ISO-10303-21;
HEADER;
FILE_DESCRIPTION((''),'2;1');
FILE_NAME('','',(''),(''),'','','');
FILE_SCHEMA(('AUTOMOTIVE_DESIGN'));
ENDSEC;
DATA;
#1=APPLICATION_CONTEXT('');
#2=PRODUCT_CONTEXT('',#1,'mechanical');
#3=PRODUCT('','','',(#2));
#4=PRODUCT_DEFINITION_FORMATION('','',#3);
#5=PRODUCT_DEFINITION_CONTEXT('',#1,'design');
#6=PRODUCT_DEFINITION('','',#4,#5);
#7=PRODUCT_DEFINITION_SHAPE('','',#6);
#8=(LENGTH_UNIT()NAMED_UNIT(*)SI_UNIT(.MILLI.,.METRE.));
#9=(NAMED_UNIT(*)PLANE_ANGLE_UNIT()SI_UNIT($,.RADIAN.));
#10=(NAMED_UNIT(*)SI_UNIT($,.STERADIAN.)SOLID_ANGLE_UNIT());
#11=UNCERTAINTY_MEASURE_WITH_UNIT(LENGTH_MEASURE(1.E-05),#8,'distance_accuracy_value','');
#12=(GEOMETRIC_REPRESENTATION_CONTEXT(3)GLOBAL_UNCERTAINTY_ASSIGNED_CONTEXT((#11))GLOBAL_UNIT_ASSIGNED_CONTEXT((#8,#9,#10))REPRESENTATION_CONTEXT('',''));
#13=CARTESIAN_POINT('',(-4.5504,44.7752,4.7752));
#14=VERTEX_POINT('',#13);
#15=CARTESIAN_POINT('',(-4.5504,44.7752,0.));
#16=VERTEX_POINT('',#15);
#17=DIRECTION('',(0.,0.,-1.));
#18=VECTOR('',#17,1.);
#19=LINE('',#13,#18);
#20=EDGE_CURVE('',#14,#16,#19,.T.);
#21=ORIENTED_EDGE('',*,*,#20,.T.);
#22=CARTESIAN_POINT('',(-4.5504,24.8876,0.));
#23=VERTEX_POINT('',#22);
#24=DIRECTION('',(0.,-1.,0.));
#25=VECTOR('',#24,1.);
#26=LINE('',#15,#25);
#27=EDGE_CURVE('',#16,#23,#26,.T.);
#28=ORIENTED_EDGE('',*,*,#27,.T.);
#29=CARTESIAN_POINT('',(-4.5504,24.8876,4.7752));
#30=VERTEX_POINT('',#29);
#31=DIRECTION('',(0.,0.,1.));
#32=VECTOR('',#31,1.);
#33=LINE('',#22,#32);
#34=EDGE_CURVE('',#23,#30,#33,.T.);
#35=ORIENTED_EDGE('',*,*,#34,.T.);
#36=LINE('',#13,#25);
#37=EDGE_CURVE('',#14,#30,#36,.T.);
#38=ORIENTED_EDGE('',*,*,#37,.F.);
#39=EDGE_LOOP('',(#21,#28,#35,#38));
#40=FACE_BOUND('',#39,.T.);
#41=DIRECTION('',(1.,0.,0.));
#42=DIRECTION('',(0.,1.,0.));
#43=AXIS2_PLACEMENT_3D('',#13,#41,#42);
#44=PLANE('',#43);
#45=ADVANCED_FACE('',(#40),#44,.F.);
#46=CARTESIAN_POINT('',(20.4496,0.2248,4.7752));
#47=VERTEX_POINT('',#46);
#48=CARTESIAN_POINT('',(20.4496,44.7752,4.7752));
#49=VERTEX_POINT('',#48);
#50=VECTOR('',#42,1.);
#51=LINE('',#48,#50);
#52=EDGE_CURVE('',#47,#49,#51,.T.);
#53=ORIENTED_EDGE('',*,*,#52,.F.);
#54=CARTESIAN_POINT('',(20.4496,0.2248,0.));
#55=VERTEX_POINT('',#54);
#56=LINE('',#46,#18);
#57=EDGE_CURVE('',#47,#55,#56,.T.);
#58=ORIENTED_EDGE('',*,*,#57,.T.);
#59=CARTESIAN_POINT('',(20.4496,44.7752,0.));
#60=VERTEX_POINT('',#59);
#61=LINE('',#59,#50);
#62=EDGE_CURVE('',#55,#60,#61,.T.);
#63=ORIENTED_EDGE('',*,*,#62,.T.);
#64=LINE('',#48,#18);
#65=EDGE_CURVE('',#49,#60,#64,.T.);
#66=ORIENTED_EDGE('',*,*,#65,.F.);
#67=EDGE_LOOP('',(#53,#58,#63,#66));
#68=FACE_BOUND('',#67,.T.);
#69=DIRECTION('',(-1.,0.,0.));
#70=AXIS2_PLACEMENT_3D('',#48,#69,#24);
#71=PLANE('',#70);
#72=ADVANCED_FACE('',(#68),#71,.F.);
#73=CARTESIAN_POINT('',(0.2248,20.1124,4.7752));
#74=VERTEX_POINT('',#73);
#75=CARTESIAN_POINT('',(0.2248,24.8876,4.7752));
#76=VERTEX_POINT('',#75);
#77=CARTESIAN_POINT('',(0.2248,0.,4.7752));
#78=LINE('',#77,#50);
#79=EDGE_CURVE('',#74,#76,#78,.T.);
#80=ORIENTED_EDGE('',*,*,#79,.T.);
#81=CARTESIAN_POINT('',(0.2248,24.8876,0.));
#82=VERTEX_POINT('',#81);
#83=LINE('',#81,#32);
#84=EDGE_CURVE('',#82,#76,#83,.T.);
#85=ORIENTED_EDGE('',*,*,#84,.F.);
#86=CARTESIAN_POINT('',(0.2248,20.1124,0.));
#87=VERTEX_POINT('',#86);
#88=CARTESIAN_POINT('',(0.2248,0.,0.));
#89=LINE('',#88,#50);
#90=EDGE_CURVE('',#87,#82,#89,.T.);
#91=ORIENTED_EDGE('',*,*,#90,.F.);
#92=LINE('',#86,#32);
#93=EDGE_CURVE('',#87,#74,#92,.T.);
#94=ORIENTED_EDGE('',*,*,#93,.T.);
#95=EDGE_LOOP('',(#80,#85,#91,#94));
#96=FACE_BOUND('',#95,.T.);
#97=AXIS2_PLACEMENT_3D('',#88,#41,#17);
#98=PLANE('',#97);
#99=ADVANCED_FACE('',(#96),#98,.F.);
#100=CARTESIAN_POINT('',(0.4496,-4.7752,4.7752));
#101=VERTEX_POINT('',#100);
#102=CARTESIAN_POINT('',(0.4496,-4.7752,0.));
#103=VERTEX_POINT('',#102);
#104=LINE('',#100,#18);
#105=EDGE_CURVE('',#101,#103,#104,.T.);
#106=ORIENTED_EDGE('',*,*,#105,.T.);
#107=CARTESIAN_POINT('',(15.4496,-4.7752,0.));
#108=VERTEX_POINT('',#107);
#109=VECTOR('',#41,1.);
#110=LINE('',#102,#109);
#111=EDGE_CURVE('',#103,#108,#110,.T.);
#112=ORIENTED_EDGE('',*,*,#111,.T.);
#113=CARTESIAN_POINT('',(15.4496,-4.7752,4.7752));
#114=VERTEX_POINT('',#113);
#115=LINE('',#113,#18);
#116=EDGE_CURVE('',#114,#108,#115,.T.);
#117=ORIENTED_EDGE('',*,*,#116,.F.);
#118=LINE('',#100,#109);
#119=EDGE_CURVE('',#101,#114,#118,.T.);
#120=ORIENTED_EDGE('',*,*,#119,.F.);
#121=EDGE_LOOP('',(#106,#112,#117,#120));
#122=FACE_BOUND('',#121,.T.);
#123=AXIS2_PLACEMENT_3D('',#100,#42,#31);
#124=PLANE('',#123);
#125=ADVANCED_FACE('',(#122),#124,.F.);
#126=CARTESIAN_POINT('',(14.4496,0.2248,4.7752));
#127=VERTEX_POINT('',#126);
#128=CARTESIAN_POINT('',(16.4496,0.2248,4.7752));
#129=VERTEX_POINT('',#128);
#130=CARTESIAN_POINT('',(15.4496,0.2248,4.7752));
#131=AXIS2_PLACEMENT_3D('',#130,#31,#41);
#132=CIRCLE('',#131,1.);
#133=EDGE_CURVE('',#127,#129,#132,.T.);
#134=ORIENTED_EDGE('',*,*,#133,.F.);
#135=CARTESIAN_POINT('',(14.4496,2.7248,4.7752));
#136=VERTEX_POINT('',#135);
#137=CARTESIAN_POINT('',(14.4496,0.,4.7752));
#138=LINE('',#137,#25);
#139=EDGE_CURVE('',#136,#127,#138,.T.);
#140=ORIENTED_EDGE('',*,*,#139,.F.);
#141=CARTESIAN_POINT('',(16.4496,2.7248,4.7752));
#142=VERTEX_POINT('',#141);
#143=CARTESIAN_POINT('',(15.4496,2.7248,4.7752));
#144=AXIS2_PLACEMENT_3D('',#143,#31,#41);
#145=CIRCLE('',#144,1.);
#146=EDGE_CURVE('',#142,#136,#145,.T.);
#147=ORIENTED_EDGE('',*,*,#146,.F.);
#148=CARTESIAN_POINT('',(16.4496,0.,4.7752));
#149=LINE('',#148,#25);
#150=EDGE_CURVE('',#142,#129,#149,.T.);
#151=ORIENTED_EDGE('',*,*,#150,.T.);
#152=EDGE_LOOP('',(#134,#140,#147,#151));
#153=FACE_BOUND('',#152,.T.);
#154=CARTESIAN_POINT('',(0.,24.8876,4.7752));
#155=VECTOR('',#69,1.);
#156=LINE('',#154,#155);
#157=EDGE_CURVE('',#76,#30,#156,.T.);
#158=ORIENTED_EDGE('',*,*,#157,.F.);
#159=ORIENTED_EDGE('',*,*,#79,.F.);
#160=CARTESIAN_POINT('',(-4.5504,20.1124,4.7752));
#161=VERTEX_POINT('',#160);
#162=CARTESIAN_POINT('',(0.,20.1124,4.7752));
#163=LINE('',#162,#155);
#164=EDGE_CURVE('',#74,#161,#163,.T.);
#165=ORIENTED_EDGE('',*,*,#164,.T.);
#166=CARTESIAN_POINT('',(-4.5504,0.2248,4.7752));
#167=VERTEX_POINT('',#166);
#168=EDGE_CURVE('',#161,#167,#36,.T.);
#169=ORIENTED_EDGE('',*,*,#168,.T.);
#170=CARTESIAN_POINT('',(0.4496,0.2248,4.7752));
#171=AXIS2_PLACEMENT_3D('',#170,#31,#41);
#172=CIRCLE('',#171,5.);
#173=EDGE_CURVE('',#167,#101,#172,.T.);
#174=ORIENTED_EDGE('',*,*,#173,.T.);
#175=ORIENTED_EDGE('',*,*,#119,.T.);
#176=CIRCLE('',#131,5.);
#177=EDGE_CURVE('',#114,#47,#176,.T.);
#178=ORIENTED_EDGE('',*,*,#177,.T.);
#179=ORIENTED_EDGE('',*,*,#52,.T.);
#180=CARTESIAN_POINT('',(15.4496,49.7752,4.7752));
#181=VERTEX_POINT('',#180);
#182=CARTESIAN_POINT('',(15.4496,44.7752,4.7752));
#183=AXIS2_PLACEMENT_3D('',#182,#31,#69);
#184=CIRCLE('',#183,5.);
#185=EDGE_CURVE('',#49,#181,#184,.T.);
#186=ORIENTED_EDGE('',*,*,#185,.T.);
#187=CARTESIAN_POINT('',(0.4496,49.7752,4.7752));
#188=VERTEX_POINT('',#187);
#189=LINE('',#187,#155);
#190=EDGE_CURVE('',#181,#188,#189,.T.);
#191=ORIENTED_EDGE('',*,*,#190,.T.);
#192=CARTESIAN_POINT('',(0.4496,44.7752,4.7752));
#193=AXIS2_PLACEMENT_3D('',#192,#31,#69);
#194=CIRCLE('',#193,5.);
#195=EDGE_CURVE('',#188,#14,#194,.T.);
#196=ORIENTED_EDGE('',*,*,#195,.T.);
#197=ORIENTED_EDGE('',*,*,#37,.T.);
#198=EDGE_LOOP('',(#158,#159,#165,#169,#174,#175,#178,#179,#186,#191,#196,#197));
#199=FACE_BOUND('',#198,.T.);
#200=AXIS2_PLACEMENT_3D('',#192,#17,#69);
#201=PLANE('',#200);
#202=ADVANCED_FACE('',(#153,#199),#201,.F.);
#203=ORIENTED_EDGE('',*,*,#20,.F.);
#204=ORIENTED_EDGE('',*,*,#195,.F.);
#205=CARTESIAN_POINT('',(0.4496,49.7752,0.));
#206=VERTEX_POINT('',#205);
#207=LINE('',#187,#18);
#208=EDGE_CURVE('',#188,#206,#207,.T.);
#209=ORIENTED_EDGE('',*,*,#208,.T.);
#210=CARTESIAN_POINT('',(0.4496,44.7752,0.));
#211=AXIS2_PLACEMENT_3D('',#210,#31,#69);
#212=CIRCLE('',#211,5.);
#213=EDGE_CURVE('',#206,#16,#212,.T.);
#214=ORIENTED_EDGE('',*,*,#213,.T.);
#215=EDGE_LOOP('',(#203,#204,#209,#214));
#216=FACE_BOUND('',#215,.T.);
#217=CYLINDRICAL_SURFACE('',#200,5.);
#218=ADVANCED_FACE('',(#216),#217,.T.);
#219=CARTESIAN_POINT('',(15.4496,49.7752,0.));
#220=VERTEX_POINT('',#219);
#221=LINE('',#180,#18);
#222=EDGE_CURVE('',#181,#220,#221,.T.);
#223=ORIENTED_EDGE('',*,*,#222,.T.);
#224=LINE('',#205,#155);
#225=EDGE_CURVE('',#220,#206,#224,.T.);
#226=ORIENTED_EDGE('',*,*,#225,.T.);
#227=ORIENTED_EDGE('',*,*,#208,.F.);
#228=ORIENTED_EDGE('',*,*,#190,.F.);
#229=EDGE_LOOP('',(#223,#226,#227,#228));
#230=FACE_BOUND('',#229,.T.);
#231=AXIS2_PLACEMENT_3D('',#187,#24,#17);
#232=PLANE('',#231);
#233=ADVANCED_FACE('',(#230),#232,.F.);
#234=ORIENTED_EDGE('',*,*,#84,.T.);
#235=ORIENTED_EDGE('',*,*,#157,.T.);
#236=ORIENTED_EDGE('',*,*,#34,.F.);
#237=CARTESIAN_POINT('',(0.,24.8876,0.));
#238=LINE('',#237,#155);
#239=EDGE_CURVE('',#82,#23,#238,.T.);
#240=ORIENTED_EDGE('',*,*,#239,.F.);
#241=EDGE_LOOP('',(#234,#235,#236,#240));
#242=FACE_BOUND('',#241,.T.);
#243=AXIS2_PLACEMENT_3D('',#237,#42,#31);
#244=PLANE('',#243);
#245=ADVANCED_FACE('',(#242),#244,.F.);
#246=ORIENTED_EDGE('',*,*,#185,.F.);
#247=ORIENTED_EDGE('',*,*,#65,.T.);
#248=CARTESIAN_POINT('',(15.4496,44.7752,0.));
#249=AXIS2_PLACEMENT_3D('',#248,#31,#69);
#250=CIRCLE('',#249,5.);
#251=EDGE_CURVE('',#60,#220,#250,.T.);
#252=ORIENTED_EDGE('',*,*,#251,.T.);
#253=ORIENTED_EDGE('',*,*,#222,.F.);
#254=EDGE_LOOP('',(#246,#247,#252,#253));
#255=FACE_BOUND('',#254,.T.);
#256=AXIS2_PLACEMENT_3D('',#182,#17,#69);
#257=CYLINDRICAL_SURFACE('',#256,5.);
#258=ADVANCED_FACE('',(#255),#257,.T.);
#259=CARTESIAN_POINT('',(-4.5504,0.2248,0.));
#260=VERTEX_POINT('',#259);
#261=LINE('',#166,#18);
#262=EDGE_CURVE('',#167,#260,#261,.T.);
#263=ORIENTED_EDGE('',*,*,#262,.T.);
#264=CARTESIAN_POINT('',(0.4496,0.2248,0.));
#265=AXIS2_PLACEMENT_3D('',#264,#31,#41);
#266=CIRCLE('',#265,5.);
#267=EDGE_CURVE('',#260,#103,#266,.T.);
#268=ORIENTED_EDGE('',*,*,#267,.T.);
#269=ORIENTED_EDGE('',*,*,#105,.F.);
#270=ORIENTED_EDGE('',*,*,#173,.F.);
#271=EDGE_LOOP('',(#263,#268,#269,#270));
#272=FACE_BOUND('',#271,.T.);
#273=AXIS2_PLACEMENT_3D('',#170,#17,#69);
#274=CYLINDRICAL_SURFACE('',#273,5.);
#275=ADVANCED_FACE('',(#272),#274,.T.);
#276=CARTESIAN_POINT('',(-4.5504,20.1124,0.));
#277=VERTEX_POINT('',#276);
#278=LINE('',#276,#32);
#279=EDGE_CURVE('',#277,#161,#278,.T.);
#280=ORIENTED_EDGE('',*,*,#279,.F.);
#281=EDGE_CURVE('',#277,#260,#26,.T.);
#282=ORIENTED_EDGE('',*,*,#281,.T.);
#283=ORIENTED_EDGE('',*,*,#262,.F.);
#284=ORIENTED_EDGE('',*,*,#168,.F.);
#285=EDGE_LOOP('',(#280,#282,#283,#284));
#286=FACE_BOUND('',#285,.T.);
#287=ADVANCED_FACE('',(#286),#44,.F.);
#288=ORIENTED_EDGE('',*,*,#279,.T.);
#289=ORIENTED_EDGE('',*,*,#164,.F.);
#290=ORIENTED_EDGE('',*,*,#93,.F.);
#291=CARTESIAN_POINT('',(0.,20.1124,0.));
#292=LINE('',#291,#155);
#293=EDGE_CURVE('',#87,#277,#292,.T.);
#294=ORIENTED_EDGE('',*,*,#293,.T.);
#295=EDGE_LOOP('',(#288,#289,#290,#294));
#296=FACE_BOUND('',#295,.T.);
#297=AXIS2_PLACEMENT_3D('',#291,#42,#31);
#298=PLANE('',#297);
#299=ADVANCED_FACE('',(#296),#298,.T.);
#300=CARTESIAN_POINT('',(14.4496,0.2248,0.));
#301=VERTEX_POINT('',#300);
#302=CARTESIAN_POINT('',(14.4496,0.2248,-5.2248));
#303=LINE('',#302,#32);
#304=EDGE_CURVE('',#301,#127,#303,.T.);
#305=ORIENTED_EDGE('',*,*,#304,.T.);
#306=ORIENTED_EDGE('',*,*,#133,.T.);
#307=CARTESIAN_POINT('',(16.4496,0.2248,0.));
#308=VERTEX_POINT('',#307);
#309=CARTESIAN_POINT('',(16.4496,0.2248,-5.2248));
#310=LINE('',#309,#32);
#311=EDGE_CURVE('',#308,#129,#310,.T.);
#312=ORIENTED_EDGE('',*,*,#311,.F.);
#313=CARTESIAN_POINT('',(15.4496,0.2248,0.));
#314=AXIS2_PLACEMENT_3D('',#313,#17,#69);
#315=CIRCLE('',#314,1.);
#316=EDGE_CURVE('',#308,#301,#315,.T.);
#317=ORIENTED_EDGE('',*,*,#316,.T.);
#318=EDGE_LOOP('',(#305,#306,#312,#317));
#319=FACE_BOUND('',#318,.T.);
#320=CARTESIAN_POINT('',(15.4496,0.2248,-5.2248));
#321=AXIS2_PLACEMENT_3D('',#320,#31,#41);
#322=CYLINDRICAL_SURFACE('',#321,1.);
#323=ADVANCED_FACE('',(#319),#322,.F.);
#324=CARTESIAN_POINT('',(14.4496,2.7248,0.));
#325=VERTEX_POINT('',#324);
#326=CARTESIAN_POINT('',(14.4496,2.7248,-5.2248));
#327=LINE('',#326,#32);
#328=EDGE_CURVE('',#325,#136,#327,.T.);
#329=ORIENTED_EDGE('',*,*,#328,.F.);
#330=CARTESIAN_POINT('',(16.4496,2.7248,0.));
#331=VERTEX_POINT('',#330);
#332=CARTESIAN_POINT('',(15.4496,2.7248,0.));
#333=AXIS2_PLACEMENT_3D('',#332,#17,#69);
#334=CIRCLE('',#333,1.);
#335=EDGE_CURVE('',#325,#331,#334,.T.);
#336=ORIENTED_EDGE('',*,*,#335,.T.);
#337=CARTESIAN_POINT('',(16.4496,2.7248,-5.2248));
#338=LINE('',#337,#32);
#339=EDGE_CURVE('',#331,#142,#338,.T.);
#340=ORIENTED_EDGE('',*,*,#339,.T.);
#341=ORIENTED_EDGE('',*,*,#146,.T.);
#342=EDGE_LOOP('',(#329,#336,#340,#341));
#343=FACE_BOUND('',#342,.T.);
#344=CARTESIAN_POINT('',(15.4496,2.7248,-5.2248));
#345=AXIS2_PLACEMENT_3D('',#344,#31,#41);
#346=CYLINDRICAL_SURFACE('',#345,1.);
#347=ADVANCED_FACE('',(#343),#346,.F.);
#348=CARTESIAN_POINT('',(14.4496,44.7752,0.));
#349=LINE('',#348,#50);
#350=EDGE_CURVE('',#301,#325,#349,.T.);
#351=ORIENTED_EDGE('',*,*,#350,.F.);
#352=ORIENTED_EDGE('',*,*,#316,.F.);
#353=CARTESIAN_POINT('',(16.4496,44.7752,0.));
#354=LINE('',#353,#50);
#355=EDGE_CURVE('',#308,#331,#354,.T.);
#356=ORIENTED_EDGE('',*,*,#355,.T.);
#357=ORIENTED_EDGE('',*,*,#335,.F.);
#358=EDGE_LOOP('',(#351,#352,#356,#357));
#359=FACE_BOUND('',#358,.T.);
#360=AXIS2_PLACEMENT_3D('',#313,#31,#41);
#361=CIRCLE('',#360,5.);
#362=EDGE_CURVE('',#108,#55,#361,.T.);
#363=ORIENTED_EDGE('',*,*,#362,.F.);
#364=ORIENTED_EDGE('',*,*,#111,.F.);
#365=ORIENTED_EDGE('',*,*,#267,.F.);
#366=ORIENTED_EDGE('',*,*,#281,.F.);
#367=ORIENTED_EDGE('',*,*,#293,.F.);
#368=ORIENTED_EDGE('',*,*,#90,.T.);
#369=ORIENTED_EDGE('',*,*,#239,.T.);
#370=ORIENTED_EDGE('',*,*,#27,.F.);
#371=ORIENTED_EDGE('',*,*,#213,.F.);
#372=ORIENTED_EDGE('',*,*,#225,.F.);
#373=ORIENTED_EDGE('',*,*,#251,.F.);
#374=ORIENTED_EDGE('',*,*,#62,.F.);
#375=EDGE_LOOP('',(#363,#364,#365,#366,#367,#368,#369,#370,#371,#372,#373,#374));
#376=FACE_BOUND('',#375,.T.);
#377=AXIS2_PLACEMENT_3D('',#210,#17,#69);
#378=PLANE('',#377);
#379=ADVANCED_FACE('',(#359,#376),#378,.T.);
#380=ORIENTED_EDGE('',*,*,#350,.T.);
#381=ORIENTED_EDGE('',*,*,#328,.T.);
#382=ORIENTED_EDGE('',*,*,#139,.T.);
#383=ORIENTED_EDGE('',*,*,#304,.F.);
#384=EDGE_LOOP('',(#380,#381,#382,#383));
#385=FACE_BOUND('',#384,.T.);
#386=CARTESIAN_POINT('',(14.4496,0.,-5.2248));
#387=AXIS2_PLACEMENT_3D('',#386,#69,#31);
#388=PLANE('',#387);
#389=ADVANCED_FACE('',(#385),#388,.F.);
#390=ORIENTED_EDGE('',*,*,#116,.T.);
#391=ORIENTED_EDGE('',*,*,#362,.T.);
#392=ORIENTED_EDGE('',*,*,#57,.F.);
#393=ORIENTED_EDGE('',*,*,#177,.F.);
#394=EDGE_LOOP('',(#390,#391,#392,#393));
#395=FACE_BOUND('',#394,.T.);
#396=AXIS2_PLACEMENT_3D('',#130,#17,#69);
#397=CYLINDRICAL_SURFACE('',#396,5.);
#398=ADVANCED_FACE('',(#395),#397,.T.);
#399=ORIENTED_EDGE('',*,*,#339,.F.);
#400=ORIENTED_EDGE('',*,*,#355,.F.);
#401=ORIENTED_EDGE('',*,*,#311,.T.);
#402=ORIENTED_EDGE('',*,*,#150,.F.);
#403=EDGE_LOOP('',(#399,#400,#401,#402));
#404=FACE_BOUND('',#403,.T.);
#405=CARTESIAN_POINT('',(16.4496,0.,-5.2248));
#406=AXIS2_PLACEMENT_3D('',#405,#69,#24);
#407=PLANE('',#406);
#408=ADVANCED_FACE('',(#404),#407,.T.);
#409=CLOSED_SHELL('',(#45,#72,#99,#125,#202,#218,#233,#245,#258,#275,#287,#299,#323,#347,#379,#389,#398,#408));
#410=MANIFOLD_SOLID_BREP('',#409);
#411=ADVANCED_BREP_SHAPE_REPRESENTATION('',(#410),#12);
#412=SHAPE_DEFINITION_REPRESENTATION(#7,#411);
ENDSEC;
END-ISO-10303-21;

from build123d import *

# Parameters (mm, degrees)
BOSS_EXTRUDE1_DEPTH = 4.7752
SKETCH4_W           = 4.7752
SKETCH4_H           = 4.7752
CUT_EXTRUDE1_DEPTH  = 5.7752
CUT_EXTRUDE2_DEPTH  = 10


with BuildPart() as part:
    # Sketch1 → Boss-Extrude1 (new body)
    with BuildSketch(Plane.XY):
        with BuildLine():
            Line((-4.5504, 44.7752), (-4.5504, 0.2248))
            ThreePointArc((-4.5504, 0.2248), (-3.085933906, -3.310733906), (0.4496, -4.7752))
            Line((0.4496, -4.7752), (15.4496, -4.7752))
            ThreePointArc((15.4496, -4.7752), (18.985133906, -3.310733906), (20.4496, 0.2248))
            Line((20.4496, 0.2248), (20.4496, 44.7752))
            ThreePointArc((20.4496, 44.7752), (18.985133906, 48.310733906), (15.4496, 49.7752))
            Line((15.4496, 49.7752), (0.4496, 49.7752))
            ThreePointArc((0.4496, 49.7752), (-3.085933906, 48.310733906), (-4.5504, 44.7752))
        make_face()
    extrude(amount=BOSS_EXTRUDE1_DEPTH)

    # Sketch4 → Cut-Extrude1 (cut, through all)
    with BuildSketch(Plane.XY.offset(4.7752)):
        with Locations((-2.1628, 22.5)):
            Rectangle(SKETCH4_W, SKETCH4_H)
    extrude(amount=-CUT_EXTRUDE1_DEPTH, mode=Mode.SUBTRACT)

    # Sketch5 → Cut-Extrude2 (cut)
    with BuildSketch(Plane.XY.offset(4.7752)):
        with BuildLine():
            Line((16.4496, 0.2248), (16.4496, 2.7248))
            ThreePointArc((16.4496, 2.7248), (15.4496, 3.7248), (14.4496, 2.7248))
            Line((14.4496, 2.7248), (14.4496, 0.2248))
            ThreePointArc((14.4496, 0.2248), (15.4496, -0.7752), (16.4496, 0.2248))
        make_face()
    extrude(amount=-CUT_EXTRUDE2_DEPTH, mode=Mode.SUBTRACT)


solid = part.part
